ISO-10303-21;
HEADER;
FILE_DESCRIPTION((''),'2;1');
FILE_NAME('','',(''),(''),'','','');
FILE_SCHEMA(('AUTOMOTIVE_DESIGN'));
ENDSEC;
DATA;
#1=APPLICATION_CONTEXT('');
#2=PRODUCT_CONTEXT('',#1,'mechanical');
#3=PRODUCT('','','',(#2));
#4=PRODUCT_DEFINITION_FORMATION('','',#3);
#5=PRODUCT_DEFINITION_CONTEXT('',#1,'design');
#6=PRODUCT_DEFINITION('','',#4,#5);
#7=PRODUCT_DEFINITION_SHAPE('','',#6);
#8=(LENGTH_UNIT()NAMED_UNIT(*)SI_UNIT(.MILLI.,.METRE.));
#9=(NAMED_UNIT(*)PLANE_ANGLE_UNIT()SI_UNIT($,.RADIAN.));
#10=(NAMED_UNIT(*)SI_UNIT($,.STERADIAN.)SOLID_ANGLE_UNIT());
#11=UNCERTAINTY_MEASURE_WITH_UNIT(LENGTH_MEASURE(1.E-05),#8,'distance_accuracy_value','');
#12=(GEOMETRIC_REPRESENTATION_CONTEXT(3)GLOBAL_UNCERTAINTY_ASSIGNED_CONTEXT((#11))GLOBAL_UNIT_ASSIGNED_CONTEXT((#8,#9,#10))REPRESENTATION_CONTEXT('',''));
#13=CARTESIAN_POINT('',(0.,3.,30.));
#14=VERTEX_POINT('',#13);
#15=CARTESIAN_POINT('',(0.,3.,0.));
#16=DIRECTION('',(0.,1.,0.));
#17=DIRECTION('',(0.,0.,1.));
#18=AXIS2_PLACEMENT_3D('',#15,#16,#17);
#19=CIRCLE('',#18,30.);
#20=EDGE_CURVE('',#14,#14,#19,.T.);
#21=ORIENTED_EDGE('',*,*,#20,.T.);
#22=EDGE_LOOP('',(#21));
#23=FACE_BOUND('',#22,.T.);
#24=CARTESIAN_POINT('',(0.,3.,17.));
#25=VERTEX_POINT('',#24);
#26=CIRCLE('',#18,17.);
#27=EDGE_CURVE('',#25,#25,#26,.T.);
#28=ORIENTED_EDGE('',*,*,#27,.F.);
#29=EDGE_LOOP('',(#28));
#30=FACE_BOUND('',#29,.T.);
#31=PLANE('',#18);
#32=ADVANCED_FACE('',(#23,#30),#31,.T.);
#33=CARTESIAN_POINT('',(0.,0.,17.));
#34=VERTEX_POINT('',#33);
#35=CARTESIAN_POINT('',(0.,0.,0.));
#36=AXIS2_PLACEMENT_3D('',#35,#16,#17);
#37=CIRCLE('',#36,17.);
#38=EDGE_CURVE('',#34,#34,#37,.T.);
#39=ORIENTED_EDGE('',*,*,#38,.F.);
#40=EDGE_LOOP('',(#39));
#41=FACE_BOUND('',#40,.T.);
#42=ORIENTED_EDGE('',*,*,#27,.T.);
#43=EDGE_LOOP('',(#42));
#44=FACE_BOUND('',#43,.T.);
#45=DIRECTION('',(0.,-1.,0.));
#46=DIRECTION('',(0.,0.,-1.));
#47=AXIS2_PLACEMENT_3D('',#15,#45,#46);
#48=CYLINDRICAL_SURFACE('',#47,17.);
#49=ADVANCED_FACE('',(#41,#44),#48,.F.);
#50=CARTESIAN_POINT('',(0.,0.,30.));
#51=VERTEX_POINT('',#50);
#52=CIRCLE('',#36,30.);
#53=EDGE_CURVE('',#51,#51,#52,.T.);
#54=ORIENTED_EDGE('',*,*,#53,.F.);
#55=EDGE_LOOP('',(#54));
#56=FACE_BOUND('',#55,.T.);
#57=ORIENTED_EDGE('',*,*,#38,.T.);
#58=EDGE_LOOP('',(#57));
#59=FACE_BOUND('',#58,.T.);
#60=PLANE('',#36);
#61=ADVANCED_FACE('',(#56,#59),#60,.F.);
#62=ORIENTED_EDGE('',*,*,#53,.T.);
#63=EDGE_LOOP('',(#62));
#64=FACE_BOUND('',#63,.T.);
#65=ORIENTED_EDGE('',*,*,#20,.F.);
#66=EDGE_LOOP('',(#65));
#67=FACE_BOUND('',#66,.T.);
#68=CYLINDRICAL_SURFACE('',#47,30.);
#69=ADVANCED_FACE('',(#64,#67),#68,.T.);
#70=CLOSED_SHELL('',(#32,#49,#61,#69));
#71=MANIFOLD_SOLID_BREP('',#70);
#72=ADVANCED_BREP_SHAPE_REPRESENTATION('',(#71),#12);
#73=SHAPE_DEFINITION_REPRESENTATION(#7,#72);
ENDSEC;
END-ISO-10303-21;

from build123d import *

# Parameters (mm, degrees)
SKETCH1_R           = 30
SKETCH1_R_2         = 17
BOSS_EXTRUDE1_DEPTH = 3


with BuildPart() as part:
    # Sketch1 → Boss-Extrude1 (new body)
    with BuildSketch(Plane(origin=(0, 0, 0), x_dir=(1, 0, 0), z_dir=(0, 1, 0))):
        Circle(SKETCH1_R)
        Circle(SKETCH1_R_2, mode=Mode.SUBTRACT)
    extrude(amount=BOSS_EXTRUDE1_DEPTH)


solid = part.part
